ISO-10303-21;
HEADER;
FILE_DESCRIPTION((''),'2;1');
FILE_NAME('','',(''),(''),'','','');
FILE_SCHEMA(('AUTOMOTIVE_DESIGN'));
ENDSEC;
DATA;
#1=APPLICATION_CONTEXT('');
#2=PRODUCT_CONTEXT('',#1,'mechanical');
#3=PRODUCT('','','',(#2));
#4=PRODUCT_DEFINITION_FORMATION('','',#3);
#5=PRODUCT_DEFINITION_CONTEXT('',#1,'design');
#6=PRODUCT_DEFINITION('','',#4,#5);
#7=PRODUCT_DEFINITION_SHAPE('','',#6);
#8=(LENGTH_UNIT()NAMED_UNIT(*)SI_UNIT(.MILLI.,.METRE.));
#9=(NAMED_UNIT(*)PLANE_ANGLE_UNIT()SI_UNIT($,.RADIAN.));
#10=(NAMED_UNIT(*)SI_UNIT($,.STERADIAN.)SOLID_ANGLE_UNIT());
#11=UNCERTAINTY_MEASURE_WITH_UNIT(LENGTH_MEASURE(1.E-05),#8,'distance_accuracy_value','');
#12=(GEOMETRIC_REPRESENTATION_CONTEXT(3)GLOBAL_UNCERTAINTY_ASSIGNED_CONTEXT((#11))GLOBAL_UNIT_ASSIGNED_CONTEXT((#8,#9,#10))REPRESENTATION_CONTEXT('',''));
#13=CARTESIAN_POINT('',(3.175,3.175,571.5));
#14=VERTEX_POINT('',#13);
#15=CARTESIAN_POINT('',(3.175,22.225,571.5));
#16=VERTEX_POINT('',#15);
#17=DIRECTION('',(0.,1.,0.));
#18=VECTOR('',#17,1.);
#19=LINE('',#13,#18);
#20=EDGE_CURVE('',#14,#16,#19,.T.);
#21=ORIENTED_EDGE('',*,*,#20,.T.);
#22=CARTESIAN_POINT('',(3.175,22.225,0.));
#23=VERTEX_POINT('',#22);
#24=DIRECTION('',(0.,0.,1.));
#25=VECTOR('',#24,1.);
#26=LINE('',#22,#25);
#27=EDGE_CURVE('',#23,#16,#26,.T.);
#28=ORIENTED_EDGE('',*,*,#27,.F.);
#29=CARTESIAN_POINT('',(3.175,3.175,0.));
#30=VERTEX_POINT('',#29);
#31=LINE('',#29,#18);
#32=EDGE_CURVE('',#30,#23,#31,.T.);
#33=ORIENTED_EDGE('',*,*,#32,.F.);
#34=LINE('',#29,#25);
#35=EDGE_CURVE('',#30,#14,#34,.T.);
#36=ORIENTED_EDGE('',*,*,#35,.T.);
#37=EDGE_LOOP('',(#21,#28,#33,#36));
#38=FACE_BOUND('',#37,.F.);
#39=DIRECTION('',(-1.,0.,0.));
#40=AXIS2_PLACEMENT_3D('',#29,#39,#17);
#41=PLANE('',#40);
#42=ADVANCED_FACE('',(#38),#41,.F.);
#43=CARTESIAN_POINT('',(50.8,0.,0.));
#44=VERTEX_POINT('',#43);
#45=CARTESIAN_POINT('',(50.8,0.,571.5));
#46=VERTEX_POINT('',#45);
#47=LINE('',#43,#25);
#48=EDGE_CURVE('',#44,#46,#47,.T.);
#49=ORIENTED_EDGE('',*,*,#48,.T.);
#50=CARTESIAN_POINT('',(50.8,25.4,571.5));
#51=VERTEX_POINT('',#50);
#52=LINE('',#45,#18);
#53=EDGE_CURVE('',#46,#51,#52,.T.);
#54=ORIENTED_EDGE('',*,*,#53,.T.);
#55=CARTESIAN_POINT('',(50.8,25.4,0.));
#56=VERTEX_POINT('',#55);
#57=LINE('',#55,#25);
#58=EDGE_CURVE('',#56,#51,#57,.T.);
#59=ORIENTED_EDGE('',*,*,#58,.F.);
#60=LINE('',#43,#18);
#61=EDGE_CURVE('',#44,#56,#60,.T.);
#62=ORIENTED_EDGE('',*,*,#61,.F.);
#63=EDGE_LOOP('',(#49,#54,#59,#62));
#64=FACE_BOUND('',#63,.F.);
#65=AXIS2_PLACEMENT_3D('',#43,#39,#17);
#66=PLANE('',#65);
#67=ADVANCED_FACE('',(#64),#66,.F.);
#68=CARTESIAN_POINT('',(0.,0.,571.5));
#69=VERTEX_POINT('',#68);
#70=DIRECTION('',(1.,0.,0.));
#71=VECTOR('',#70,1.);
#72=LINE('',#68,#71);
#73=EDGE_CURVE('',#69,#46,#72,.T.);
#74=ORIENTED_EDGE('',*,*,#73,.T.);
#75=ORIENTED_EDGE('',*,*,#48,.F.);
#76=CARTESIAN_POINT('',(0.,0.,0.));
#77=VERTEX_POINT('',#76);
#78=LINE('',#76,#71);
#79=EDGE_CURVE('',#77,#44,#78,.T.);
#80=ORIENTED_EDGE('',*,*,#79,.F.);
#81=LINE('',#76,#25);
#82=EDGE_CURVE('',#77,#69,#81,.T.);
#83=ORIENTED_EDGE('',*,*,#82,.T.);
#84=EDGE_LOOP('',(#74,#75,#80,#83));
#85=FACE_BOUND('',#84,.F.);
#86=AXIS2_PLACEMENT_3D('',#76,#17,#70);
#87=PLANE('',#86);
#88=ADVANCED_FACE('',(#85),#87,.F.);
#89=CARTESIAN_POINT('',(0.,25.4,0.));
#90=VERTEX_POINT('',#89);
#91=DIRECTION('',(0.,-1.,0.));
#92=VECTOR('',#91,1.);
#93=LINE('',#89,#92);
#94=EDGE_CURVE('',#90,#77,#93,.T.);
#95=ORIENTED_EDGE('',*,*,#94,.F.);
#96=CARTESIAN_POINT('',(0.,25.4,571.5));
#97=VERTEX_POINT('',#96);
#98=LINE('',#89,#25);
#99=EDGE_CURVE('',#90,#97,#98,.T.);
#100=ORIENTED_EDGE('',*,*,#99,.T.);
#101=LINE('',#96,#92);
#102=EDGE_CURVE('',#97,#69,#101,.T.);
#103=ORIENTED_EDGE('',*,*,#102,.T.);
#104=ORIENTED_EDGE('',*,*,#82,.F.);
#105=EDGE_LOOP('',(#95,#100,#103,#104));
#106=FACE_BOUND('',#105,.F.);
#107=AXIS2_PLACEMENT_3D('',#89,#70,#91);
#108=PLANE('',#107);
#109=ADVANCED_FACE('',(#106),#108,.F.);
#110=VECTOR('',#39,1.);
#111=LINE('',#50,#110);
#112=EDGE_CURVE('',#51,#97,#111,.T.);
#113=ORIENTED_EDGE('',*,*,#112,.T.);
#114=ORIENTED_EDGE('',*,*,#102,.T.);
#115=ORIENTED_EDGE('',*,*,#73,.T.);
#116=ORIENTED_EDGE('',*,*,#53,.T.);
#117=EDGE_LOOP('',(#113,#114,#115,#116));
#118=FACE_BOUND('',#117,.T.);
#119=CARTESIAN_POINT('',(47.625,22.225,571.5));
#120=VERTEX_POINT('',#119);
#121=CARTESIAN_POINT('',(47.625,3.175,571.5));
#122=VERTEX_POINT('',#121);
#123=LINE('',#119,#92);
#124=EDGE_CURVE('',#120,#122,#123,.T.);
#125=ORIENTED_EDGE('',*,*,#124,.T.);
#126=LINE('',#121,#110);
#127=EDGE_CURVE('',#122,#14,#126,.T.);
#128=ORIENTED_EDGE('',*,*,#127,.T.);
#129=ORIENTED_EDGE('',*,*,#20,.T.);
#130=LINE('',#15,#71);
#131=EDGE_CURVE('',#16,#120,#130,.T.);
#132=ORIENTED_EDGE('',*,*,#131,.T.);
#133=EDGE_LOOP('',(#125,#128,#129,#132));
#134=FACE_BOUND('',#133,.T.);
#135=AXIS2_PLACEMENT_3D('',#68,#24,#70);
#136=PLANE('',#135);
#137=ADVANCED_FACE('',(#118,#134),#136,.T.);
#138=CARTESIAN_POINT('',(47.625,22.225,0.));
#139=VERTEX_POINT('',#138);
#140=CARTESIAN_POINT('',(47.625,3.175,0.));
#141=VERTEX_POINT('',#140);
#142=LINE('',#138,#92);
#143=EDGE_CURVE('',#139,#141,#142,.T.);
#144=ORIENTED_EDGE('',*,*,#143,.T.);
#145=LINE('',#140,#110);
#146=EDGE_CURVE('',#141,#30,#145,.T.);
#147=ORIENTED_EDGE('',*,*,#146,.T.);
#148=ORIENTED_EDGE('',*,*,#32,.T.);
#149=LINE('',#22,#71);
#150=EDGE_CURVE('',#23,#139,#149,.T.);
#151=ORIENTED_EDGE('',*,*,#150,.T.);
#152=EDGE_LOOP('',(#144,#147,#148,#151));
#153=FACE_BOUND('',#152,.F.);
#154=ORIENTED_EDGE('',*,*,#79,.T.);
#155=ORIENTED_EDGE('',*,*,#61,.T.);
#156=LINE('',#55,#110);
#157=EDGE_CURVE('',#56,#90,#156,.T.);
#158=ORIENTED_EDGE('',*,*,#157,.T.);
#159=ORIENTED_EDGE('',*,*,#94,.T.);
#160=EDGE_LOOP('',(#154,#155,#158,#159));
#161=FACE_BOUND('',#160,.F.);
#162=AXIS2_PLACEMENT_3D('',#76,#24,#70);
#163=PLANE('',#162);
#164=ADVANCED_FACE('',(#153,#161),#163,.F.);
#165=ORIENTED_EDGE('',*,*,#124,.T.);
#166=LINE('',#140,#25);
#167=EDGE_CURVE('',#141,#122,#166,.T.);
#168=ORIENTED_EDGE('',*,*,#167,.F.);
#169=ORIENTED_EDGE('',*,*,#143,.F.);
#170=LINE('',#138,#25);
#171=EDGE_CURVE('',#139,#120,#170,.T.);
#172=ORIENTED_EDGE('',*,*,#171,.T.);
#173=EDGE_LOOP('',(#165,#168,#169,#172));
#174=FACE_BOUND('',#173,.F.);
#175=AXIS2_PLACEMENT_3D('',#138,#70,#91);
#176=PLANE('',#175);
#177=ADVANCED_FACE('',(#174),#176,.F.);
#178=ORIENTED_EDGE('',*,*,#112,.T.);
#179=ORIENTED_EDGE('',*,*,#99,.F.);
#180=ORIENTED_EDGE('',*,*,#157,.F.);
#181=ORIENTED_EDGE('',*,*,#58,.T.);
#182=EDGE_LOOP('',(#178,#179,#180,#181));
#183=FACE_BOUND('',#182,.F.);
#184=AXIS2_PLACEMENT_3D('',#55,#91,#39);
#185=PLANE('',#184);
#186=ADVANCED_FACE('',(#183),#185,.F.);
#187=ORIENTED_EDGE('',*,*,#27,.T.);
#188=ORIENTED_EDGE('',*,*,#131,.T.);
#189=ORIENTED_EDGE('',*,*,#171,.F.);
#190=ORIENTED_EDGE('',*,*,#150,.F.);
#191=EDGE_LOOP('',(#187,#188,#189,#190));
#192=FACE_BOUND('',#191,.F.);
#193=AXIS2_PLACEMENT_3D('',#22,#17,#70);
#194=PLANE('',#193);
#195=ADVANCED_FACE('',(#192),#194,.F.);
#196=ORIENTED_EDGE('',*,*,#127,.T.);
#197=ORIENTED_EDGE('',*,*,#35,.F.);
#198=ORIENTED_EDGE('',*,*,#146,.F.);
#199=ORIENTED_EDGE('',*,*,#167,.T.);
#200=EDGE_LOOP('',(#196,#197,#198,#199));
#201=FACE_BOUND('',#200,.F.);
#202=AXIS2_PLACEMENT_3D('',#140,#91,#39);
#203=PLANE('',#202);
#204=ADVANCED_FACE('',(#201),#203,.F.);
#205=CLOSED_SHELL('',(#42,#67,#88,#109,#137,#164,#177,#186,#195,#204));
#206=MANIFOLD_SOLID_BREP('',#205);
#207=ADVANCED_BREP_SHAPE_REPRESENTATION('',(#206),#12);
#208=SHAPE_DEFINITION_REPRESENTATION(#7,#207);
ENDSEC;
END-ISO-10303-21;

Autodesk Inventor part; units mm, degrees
ref_plane "YZ Plane" through (0, 0, 0) normal (1, 0, 0) x (0, 1, 0)
ref_plane "XZ Plane" through (0, 0, 0) normal (0, 1, 0) x (-1, 0, 0)
ref_plane "XY Plane" through (0, 0, 0) normal (0, 0, 1) x (1, 0, 0)
sketch "Sketch1" plane through (0, 0, 0) normal (0, 0, 1) x (1, 0, 0)
  line L0 (0, 0) -> (50.8, 0)
  line L1 (50.8, 0) -> (50.8, 25.4)
  line L2 (50.8, 25.4) -> (0, 25.4)
  line L3 (0, 25.4) -> (0, 0)
  line L4 (3.175, 22.225) -> (47.625, 22.225)
  line L5 (47.625, 22.225) -> (47.625, 3.175)
  line L6 (47.625, 3.175) -> (3.175, 3.175)
  line L7 (3.175, 3.175) -> (3.175, 22.225)
  dimension "d0" = 3.175
  dimension "d1" = 25.4
  dimension "d2" = 50.8
extrude "Extrusion1" add sketch "Sketch1" along normal blind 571.5
properties part number "PistonMount"
